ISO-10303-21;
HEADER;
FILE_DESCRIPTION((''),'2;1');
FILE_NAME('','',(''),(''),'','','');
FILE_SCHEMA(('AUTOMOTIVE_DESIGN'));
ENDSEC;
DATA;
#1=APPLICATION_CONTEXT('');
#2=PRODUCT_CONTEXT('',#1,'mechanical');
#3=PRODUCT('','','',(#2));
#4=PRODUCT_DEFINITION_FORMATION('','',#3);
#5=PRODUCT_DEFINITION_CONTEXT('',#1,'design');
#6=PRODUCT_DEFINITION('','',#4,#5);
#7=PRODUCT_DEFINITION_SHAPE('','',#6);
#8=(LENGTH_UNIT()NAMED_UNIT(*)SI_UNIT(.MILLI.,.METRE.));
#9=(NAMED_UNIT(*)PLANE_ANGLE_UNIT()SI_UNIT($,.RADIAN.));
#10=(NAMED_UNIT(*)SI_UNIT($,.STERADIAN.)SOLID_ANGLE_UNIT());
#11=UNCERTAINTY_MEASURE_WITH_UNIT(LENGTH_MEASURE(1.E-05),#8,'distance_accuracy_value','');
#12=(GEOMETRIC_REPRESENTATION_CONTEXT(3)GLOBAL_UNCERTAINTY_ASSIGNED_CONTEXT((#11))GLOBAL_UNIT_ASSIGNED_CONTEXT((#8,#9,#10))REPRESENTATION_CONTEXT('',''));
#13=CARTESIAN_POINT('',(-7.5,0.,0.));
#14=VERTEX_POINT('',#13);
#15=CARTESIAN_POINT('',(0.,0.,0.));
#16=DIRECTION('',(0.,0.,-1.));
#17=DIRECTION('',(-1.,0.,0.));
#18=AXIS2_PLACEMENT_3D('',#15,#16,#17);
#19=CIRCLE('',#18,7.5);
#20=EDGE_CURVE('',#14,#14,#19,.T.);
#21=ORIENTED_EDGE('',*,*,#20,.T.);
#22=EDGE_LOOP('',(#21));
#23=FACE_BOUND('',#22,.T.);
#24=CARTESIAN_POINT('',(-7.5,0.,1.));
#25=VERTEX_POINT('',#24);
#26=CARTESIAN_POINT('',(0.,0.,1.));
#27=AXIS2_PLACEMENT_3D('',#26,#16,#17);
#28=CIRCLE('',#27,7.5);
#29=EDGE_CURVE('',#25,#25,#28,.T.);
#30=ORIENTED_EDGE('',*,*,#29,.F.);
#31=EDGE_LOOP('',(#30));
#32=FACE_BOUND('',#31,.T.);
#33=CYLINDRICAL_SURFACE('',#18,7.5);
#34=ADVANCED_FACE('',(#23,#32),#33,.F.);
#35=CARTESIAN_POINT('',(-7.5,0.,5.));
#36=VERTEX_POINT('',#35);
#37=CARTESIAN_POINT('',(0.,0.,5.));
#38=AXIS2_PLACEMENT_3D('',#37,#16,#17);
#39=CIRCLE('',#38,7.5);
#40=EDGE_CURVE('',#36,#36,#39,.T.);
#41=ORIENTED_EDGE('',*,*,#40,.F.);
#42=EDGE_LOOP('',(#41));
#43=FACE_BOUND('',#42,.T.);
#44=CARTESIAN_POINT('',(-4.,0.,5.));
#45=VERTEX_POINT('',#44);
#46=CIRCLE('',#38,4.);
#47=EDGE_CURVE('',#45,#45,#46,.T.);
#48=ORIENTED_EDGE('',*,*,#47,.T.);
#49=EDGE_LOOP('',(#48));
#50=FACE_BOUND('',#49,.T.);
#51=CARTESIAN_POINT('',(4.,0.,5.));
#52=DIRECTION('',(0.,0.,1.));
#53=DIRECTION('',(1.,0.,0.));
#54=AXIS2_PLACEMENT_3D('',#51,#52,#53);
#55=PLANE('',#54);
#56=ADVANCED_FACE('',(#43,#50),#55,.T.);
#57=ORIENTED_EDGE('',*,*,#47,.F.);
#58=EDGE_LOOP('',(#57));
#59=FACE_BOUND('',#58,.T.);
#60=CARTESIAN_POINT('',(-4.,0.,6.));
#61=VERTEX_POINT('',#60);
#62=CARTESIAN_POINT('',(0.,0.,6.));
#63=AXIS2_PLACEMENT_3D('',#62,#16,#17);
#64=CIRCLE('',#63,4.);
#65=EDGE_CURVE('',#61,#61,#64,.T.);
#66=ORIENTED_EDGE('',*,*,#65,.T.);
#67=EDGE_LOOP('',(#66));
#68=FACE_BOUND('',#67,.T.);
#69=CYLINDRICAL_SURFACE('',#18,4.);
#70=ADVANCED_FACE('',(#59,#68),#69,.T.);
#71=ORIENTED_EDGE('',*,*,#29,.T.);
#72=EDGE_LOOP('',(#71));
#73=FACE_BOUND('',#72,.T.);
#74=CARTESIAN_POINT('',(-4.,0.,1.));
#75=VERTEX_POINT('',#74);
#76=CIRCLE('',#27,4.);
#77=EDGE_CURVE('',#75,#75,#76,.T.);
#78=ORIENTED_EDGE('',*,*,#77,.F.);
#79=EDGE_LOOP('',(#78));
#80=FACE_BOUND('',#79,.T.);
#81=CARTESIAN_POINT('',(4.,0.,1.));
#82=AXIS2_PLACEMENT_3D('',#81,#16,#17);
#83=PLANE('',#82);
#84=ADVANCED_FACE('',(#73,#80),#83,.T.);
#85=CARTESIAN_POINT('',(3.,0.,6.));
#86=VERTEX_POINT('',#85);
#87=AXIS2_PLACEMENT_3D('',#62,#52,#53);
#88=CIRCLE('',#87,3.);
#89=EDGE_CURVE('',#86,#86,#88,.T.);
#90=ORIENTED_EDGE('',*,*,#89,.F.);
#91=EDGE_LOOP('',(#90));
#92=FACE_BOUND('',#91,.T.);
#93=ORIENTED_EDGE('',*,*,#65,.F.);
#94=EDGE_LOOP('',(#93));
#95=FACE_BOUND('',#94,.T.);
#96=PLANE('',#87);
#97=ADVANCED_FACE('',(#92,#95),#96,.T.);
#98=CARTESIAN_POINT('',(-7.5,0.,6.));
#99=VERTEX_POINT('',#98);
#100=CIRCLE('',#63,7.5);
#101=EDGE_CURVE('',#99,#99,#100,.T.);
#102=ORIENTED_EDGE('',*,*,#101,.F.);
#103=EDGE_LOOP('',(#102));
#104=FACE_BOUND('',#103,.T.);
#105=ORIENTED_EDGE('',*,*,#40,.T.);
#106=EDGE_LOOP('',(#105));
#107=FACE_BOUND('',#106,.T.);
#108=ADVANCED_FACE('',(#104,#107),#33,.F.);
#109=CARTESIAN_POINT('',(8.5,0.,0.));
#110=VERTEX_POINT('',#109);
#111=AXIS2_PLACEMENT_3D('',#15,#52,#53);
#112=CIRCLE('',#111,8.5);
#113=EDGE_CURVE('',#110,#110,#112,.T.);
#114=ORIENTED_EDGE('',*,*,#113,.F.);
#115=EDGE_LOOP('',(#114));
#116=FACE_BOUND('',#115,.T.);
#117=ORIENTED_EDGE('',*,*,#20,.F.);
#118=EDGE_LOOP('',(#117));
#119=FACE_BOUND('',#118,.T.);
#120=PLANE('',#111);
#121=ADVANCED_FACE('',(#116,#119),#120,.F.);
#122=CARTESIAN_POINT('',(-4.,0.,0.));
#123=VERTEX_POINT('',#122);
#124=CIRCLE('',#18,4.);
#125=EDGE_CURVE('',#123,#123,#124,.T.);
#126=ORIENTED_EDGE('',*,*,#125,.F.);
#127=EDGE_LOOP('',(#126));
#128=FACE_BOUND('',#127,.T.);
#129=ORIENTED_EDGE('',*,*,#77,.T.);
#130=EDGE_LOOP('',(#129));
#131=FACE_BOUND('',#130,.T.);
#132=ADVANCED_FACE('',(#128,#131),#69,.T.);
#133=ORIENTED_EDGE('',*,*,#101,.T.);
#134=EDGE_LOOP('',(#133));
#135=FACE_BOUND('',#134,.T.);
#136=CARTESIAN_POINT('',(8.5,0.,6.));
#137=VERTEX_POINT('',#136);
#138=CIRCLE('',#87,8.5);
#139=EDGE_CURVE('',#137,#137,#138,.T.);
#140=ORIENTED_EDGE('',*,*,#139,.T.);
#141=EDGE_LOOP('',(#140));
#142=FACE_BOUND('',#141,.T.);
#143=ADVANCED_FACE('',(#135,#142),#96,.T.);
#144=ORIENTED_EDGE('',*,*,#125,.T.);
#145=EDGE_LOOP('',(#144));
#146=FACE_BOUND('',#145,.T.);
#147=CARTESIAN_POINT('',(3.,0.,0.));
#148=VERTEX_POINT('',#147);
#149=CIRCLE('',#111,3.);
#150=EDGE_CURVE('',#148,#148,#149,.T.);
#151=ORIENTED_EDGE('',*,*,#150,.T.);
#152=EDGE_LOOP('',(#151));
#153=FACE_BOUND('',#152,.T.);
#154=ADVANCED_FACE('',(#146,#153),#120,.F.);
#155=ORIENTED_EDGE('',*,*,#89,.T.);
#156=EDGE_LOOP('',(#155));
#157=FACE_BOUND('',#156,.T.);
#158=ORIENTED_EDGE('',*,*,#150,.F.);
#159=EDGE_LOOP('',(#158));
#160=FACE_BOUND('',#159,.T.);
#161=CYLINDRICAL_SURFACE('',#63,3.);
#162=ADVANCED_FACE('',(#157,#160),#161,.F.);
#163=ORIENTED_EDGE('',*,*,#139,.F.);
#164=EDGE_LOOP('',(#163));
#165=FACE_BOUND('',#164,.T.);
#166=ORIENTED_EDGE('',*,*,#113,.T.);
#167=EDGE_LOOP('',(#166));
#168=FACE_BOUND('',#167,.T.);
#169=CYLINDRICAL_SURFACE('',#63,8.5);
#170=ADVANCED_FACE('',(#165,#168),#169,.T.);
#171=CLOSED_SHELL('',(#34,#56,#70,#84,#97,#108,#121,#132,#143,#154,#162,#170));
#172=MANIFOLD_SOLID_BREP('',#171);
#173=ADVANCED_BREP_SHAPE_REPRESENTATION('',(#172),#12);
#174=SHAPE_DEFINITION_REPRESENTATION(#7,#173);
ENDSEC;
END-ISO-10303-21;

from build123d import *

# Parameters (mm, degrees)
SKETCH1_R           = 8.5
SKETCH1_R_2         = 3
BOSS_EXTRUDE1_DEPTH = 6
SKETCH2_W           = 3.5
SKETCH2_H           = 1
SKETCH3_W           = 3.5
SKETCH3_H           = 1


with BuildPart() as part:
    # Sketch1 → Boss-Extrude1 (new body)
    with BuildSketch(Plane.XY):
        Circle(SKETCH1_R)
        Circle(SKETCH1_R_2, mode=Mode.SUBTRACT)
    extrude(amount=BOSS_EXTRUDE1_DEPTH)

    # Sketch2 → Cut-Revolve1 (revolve, cut)
    with BuildSketch(Plane(origin=(0, 0, 0), x_dir=(1, 0, 0), z_dir=(0, 1, 0)), mode=Mode.PRIVATE) as cut_revolve1_sk:
        with Locations((5.75, -0.5)):
            Rectangle(SKETCH2_W, SKETCH2_H)
    revolve(cut_revolve1_sk.sketch.rotate(Axis((0, 0, 0), (0, 0, 1)), 180), axis=Axis((0, 0, 0), (0, 0, 1)), mode=Mode.SUBTRACT)

    # Sketch3 → Cut-Revolve2 (revolve, cut)
    with BuildSketch(Plane(origin=(0, 0, 0), x_dir=(1, 0, 0), z_dir=(0, 1, 0)), mode=Mode.PRIVATE) as cut_revolve2_sk:
        with Locations((5.75, -5.5)):
            Rectangle(SKETCH3_W, SKETCH3_H)
    revolve(cut_revolve2_sk.sketch.rotate(Axis((0, 0, 0), (0, 0, 1)), 180), axis=Axis((0, 0, 0), (0, 0, 1)), mode=Mode.SUBTRACT)


solid = part.part
